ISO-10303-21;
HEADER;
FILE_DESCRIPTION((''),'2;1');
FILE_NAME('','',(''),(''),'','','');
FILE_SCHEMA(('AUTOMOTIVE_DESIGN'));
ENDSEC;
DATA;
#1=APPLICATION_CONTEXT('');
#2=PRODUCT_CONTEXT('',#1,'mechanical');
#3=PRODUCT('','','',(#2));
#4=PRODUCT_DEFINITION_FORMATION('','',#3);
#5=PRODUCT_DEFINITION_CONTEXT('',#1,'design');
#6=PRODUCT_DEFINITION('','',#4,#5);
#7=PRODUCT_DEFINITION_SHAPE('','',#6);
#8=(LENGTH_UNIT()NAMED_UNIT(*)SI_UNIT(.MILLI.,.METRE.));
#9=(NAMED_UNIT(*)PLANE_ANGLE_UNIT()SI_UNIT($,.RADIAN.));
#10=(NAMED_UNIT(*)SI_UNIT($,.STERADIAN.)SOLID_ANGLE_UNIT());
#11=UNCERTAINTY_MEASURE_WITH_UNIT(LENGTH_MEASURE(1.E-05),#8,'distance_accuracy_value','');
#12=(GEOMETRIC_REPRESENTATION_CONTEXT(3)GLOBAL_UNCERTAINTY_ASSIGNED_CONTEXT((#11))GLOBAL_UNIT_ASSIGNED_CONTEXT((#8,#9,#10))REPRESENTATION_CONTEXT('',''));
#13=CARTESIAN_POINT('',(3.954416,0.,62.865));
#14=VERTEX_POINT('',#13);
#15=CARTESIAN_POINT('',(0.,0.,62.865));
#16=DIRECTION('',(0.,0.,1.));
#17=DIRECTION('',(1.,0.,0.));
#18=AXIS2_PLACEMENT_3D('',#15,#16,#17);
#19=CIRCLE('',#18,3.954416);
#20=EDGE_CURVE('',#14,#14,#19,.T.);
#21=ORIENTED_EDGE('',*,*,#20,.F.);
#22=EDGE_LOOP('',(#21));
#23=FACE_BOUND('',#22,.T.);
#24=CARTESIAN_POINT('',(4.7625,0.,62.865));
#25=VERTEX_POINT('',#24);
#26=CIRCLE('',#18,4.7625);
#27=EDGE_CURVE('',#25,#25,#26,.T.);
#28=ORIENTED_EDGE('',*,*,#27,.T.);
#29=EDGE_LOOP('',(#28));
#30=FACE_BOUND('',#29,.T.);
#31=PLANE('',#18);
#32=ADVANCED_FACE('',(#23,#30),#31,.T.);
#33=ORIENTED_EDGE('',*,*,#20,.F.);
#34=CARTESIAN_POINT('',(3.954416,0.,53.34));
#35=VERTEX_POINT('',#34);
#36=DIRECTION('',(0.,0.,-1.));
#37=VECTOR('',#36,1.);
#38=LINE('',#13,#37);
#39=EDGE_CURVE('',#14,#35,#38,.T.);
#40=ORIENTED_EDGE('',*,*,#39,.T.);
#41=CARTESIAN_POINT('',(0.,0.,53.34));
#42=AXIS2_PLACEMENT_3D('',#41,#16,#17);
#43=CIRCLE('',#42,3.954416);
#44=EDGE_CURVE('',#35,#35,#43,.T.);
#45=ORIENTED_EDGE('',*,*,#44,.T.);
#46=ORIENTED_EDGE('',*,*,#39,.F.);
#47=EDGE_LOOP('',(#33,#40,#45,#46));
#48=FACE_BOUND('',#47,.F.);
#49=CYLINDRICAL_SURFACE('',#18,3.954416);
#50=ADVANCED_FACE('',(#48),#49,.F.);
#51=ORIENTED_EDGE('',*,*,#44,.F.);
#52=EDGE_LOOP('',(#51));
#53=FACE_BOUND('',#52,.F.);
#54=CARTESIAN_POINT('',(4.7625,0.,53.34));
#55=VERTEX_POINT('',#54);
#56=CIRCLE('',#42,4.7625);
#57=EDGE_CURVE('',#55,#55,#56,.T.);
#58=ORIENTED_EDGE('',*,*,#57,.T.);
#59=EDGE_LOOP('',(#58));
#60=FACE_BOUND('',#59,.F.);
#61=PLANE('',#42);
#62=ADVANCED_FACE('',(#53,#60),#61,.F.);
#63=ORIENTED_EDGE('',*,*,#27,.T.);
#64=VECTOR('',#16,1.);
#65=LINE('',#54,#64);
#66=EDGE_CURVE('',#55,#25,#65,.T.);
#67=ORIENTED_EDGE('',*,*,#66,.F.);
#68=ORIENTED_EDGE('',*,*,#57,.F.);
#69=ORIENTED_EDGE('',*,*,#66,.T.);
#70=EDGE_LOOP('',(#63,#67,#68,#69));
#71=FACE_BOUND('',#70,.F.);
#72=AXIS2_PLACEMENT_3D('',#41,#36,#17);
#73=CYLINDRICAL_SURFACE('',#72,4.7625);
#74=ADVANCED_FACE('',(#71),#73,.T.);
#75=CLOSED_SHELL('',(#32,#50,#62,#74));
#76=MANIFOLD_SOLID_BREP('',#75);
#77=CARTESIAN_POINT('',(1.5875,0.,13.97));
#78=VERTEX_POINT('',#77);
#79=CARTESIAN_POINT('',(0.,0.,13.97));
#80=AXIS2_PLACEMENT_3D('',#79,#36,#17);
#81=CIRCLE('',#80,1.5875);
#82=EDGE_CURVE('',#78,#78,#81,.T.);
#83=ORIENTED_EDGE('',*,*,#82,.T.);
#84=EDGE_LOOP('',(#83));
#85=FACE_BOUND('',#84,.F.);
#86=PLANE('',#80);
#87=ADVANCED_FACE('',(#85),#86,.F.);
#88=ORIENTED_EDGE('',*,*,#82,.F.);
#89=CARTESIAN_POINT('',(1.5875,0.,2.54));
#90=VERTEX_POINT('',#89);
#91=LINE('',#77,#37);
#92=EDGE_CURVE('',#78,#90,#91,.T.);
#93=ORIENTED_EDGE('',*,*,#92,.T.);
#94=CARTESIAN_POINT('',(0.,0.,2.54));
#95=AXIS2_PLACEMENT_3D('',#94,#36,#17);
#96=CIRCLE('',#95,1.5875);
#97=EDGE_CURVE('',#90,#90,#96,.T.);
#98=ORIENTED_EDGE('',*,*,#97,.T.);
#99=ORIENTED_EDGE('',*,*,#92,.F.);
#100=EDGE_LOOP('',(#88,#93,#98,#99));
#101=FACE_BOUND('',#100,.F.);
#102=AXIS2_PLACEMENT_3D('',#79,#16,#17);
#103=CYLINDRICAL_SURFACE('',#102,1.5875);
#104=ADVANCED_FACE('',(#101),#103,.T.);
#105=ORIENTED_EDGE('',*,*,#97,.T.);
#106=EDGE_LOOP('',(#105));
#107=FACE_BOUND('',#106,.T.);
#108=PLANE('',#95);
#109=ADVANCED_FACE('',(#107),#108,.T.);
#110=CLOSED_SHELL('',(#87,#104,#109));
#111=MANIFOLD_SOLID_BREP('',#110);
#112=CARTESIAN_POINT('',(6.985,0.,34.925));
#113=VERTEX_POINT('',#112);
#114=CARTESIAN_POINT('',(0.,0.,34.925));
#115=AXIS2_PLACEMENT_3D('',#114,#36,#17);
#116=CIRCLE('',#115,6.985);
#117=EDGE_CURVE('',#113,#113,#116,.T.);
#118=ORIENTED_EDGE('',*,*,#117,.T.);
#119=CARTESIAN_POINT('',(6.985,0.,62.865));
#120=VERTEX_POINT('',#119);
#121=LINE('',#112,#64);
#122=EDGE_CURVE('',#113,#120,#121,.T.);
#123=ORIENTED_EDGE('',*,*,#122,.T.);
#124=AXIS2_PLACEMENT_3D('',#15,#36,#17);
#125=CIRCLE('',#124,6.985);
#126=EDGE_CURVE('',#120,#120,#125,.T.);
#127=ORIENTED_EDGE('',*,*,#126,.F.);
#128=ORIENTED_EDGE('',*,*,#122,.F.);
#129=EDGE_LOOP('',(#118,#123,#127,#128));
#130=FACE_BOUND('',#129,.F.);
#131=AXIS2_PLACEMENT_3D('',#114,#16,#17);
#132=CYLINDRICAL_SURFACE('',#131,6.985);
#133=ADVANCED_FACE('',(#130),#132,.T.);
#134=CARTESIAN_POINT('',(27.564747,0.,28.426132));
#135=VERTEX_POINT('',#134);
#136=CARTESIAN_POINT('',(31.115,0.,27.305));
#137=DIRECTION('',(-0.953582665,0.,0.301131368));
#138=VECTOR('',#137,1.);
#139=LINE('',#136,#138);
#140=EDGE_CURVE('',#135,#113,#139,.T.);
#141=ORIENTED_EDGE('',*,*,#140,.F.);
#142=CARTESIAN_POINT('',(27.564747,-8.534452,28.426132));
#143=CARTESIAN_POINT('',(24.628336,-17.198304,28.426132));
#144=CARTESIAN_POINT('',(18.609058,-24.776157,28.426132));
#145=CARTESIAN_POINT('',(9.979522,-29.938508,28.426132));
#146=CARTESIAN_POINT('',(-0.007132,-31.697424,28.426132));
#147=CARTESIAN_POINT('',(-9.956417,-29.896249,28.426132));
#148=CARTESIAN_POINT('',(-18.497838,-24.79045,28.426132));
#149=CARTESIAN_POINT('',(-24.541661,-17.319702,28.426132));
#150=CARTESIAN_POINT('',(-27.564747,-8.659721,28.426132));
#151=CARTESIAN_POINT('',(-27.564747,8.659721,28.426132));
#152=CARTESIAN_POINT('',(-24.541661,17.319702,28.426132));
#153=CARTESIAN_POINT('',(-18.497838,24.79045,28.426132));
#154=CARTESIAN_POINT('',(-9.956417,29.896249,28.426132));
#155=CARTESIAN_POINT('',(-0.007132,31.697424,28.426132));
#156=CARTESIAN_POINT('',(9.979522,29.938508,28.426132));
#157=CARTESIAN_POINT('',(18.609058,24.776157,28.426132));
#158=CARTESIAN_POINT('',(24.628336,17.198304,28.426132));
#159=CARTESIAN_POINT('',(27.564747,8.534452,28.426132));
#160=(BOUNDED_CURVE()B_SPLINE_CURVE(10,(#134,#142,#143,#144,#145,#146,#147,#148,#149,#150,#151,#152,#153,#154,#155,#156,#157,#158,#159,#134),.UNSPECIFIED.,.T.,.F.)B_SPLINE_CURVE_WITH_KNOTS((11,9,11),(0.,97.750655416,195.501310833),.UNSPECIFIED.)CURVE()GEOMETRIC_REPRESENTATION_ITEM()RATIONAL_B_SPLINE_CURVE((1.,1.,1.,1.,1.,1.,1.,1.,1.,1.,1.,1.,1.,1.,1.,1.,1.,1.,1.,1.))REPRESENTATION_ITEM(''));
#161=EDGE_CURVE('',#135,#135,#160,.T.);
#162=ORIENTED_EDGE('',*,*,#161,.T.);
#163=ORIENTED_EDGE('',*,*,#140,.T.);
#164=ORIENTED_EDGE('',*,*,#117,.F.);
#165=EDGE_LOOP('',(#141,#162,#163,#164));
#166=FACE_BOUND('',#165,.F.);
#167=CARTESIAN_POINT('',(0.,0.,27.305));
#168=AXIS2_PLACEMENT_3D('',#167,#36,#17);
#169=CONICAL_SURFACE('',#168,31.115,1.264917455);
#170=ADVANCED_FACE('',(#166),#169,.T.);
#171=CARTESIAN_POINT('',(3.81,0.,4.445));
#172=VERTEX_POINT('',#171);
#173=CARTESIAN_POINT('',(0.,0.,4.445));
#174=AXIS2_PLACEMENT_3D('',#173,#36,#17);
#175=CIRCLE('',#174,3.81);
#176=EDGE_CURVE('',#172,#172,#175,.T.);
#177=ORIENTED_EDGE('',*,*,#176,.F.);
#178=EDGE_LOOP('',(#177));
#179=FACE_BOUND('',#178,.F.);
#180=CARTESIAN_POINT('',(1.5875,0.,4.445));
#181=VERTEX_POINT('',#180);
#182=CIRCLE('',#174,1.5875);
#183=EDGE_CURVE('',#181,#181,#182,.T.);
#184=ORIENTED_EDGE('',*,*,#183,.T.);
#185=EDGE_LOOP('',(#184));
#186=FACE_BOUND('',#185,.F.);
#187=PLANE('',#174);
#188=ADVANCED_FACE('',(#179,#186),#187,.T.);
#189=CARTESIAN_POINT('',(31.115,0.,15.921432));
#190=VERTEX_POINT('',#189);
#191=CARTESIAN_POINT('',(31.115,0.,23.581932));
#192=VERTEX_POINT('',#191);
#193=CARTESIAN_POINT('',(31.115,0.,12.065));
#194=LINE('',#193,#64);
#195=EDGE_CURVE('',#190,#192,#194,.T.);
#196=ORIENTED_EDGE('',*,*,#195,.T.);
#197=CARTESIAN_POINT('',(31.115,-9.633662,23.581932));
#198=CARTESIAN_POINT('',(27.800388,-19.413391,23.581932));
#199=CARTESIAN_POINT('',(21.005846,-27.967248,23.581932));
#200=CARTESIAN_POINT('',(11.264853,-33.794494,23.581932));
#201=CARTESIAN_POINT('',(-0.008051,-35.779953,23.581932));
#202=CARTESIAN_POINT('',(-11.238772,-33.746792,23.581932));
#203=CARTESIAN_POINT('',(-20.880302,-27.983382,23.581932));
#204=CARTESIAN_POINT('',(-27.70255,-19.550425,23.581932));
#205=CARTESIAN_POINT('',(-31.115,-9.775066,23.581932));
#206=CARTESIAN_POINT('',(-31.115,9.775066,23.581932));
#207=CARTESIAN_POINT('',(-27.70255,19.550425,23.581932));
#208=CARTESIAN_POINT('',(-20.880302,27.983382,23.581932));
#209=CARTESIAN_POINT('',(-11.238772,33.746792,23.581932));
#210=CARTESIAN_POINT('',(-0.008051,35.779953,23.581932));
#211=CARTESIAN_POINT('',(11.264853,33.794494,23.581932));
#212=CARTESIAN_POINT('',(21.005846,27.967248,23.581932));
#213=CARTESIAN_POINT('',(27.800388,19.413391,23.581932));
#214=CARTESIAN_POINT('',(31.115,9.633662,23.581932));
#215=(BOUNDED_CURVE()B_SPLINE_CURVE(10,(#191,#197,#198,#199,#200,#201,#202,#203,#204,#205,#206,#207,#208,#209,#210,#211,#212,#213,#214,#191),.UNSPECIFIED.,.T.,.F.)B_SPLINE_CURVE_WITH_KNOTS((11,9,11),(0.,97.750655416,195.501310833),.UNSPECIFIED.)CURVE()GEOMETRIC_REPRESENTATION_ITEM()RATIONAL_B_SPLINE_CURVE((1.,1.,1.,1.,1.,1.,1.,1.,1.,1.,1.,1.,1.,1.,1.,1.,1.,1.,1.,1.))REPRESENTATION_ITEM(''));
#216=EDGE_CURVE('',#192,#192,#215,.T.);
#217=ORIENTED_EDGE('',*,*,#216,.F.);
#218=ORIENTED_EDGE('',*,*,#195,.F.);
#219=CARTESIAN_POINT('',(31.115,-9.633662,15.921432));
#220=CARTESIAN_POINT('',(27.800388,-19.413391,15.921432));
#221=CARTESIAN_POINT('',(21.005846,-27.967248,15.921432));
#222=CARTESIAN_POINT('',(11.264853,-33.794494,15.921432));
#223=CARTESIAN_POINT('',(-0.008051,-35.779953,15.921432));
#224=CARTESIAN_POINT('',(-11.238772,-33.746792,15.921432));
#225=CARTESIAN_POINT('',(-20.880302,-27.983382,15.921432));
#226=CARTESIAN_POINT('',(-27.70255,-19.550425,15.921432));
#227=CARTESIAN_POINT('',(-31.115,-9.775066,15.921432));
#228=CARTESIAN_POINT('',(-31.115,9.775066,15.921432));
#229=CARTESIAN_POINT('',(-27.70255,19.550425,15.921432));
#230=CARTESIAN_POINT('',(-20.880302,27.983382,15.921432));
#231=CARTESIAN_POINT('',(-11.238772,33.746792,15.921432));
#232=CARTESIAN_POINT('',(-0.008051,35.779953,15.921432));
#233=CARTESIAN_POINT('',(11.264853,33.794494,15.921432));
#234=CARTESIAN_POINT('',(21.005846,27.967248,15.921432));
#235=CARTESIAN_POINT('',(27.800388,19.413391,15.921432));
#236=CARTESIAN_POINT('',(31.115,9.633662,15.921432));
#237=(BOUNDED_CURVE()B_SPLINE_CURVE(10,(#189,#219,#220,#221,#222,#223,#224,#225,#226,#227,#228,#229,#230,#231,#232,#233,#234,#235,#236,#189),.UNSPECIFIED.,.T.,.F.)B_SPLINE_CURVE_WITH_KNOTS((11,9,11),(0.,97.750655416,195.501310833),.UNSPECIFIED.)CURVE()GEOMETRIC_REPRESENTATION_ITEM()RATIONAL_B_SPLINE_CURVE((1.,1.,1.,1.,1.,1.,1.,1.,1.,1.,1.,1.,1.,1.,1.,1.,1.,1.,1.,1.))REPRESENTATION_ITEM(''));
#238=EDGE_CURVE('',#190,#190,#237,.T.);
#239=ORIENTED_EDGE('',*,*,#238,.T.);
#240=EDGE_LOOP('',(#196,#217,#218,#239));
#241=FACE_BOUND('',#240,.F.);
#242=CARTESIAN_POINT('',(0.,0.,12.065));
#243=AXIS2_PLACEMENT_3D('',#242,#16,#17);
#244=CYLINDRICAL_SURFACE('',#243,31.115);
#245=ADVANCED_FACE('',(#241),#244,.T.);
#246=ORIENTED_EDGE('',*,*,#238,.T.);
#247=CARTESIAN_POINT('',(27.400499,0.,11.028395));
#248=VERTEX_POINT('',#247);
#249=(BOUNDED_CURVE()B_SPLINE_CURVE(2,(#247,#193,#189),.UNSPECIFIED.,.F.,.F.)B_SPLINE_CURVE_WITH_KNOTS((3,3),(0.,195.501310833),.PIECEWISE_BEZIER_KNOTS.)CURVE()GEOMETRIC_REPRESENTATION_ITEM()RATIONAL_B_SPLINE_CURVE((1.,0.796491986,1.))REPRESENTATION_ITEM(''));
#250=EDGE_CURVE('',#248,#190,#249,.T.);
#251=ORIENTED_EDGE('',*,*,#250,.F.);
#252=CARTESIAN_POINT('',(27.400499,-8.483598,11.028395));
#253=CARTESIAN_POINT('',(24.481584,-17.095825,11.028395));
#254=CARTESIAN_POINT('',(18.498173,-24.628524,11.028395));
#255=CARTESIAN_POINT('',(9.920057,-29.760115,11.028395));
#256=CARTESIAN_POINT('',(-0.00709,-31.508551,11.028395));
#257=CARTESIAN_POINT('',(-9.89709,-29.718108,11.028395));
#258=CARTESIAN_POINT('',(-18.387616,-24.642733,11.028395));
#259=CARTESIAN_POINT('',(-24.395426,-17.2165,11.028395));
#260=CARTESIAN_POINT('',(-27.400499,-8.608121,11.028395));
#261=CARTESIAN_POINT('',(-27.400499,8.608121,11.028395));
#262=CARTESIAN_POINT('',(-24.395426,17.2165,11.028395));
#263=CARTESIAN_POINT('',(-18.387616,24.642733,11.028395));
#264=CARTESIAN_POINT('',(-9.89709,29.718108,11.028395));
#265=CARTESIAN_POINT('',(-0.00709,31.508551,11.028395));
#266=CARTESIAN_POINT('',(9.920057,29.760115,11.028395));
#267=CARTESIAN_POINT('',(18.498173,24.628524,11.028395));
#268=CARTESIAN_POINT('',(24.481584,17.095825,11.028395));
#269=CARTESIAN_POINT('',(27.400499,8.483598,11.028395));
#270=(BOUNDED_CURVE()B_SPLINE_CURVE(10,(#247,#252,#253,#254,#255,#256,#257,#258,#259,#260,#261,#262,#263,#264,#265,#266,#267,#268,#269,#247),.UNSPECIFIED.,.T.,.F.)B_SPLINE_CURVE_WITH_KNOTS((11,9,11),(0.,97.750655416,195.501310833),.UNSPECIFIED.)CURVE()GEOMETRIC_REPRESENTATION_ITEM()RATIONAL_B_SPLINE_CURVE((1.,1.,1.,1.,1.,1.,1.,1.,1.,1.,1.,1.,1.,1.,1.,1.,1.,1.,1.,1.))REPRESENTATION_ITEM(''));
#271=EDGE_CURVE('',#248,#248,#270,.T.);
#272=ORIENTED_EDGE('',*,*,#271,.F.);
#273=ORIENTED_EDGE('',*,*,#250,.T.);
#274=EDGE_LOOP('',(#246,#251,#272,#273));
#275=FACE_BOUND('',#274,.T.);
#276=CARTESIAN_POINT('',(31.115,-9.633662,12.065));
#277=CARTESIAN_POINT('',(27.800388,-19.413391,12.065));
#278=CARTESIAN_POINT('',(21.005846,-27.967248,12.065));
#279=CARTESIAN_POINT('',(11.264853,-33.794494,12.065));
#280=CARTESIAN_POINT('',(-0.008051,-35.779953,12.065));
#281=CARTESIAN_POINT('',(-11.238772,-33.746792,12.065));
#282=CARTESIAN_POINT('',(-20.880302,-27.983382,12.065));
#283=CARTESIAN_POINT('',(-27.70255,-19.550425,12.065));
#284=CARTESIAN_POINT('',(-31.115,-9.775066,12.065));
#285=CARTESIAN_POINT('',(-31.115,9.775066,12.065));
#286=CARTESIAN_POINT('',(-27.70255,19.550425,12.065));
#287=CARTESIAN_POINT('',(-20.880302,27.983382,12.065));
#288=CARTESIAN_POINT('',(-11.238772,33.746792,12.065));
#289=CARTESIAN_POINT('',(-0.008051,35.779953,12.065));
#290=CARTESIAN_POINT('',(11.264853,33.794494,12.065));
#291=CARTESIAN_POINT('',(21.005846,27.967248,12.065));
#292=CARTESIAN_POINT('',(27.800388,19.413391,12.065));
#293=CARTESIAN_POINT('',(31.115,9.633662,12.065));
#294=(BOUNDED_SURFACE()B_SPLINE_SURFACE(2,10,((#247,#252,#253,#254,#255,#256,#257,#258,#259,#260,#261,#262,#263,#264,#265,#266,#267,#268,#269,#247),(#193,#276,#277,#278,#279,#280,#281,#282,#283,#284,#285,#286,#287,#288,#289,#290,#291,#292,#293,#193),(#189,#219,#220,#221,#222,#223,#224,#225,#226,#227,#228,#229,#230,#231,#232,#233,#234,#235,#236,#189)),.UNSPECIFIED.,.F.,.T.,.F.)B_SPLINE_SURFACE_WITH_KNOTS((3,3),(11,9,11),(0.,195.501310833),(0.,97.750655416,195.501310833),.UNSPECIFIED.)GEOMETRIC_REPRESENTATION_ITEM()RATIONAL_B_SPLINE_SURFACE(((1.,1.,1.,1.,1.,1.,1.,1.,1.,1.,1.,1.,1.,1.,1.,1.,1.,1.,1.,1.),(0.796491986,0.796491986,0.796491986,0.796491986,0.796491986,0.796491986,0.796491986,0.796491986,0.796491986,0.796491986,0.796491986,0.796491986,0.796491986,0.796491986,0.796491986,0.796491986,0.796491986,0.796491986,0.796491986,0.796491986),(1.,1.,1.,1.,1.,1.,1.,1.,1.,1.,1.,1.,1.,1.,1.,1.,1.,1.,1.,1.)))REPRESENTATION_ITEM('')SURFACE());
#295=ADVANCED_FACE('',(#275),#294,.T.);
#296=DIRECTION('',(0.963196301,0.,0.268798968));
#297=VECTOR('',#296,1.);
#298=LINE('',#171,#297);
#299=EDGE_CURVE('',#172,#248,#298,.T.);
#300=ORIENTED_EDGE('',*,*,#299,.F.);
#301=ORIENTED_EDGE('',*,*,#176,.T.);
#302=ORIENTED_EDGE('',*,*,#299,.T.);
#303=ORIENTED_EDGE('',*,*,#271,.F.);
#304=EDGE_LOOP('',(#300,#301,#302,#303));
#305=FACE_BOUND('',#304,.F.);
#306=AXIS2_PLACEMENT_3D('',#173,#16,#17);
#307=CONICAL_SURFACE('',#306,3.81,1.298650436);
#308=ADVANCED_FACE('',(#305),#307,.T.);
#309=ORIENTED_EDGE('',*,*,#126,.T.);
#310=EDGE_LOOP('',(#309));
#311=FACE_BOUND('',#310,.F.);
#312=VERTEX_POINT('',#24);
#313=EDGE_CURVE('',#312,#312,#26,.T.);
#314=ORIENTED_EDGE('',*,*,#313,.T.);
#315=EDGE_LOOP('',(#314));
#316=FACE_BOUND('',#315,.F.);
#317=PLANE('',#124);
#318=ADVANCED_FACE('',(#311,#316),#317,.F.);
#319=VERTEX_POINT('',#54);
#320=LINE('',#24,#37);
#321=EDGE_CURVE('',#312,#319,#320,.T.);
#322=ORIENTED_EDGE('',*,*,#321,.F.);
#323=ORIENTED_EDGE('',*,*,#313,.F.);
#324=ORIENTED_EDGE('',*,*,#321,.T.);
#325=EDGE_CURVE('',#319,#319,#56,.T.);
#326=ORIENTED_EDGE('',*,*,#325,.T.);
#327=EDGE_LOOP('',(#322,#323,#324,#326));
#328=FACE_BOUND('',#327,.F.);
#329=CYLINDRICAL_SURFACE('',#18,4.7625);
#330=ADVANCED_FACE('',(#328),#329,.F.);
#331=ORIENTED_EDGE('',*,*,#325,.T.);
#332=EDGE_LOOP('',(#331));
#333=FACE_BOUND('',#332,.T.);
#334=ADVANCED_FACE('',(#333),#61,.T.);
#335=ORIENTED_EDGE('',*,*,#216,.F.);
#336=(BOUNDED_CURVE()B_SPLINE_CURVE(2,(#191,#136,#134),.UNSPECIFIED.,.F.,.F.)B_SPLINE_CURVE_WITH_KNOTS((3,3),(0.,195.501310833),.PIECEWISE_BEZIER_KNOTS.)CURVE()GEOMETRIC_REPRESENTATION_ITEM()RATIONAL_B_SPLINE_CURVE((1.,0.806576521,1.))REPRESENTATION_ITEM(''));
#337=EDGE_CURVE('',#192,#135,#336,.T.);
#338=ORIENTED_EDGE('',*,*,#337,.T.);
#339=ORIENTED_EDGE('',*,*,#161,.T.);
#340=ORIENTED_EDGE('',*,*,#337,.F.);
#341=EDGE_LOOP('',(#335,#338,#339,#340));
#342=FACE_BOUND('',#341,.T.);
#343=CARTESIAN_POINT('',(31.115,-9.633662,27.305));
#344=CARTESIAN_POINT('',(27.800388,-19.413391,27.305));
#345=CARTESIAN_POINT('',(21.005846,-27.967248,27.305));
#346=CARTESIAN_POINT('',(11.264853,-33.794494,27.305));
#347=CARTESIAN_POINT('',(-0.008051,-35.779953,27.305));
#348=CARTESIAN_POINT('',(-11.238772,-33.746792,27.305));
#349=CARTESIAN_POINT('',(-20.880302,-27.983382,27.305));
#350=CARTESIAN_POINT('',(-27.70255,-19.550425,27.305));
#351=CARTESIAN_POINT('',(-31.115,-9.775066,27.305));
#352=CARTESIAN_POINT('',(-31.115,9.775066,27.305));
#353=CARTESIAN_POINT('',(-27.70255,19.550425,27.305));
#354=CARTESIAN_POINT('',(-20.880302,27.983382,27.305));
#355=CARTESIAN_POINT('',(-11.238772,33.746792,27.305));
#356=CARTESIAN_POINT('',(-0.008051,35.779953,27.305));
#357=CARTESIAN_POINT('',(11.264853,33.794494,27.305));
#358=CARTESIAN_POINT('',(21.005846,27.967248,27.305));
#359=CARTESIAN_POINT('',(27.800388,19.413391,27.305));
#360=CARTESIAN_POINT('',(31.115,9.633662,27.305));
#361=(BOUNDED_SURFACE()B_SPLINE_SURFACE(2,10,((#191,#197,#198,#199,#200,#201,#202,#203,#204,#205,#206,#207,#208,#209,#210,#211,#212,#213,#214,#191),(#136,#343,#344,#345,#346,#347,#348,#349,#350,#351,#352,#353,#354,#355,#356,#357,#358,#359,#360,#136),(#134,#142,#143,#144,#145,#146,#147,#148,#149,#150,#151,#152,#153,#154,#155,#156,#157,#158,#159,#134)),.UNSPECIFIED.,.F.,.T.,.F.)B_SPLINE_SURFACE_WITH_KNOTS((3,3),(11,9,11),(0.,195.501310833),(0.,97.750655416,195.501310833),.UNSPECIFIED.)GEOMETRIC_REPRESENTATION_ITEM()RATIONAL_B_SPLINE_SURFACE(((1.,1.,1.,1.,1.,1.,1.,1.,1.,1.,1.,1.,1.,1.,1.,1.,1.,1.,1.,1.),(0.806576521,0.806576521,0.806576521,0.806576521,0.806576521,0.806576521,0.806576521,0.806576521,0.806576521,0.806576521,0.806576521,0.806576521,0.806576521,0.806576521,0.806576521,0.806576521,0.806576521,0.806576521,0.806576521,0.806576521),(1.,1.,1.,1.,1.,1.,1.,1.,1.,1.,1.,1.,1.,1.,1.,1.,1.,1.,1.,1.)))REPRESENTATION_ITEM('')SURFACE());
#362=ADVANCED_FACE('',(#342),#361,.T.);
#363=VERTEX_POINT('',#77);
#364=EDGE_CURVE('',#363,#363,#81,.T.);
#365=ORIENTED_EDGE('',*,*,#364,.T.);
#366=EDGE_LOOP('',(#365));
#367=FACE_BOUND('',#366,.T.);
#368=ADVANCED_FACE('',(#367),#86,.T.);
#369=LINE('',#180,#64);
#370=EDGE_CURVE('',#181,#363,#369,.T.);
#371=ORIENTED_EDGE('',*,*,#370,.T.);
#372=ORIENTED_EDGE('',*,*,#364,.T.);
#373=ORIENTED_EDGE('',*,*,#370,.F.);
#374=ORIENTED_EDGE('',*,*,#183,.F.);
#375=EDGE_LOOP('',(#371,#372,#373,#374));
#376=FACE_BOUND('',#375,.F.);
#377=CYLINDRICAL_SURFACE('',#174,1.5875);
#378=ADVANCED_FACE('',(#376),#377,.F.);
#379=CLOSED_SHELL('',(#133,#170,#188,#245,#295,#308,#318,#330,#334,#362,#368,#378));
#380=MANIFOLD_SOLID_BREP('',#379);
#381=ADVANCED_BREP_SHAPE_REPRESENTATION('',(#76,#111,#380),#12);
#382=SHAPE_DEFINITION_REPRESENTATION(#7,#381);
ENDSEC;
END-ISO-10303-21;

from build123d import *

# Parameters (mm, degrees)
F2_R      = 4.7625
F3_DEPTH  = 9.525
F4_R      = 1.5875
F5_DEPTH  = 9.525
F3_FACE_R = 4.7625
F6_DEPTH  = 9.525
F7_R      = 3.954416
F8_DEPTH  = 9.525
F5_FACE_R = 1.5875
F9_DEPTH  = 11.43
F10_R     = 5.08


with BuildPart() as f1:
    # F0 (on Front) → F1 (revolve)
    with BuildSketch(Plane.XZ):
        Polygon((3.81, 4.445), (31.115, 12.065), (31.115, 27.305), (6.985, 34.925), (6.985, 62.865), (0, 62.865), (0, 4.445), align=None)
    revolve(axis=Axis((0, 0, 33.655), (0, 0, -1)))

    # F2 (on face) → F3 (cut)
    with BuildSketch(Plane.XY.offset(62.865)):
        Circle(F2_R)
    extrude(amount=-F3_DEPTH, mode=Mode.SUBTRACT)

    # F4 (on face) → F5 (cut)
    with BuildSketch(Plane(origin=(0, 0, 4.445), x_dir=(1, 0, 0), z_dir=(0, 0, -1))):
        Circle(F4_R)
    extrude(amount=-F5_DEPTH, mode=Mode.SUBTRACT)

    # F10
    f10_edges = [f1.edges().sort_by_distance(p)[0] for p in [
        (-31.115, 0, 12.065),
        (-31.115, 0, 27.305),
        (31.115, 0, 19.685),
    ]]
    fillet(f10_edges, radius=F10_R)


with BuildPart() as f6:
    # F3_face (on face) → F6 (new body)
    with BuildSketch(Plane.XY.offset(53.34)):
        Circle(F3_FACE_R)
    extrude(amount=F6_DEPTH)

    # F7 (on face) → F8 (cut)
    with BuildSketch(Plane.XY.offset(62.865)):
        Circle(F7_R)
    extrude(amount=-F8_DEPTH, mode=Mode.SUBTRACT)


with BuildPart() as f9:
    # F5_face (on face) → F9 (new body)
    with BuildSketch(Plane(origin=(0, 0, 13.97), x_dir=(1, 0, 0), z_dir=(0, 0, -1))):
        Circle(F5_FACE_R)
    extrude(amount=F9_DEPTH)


solid = Compound([f1.part, f6.part, f9.part])
